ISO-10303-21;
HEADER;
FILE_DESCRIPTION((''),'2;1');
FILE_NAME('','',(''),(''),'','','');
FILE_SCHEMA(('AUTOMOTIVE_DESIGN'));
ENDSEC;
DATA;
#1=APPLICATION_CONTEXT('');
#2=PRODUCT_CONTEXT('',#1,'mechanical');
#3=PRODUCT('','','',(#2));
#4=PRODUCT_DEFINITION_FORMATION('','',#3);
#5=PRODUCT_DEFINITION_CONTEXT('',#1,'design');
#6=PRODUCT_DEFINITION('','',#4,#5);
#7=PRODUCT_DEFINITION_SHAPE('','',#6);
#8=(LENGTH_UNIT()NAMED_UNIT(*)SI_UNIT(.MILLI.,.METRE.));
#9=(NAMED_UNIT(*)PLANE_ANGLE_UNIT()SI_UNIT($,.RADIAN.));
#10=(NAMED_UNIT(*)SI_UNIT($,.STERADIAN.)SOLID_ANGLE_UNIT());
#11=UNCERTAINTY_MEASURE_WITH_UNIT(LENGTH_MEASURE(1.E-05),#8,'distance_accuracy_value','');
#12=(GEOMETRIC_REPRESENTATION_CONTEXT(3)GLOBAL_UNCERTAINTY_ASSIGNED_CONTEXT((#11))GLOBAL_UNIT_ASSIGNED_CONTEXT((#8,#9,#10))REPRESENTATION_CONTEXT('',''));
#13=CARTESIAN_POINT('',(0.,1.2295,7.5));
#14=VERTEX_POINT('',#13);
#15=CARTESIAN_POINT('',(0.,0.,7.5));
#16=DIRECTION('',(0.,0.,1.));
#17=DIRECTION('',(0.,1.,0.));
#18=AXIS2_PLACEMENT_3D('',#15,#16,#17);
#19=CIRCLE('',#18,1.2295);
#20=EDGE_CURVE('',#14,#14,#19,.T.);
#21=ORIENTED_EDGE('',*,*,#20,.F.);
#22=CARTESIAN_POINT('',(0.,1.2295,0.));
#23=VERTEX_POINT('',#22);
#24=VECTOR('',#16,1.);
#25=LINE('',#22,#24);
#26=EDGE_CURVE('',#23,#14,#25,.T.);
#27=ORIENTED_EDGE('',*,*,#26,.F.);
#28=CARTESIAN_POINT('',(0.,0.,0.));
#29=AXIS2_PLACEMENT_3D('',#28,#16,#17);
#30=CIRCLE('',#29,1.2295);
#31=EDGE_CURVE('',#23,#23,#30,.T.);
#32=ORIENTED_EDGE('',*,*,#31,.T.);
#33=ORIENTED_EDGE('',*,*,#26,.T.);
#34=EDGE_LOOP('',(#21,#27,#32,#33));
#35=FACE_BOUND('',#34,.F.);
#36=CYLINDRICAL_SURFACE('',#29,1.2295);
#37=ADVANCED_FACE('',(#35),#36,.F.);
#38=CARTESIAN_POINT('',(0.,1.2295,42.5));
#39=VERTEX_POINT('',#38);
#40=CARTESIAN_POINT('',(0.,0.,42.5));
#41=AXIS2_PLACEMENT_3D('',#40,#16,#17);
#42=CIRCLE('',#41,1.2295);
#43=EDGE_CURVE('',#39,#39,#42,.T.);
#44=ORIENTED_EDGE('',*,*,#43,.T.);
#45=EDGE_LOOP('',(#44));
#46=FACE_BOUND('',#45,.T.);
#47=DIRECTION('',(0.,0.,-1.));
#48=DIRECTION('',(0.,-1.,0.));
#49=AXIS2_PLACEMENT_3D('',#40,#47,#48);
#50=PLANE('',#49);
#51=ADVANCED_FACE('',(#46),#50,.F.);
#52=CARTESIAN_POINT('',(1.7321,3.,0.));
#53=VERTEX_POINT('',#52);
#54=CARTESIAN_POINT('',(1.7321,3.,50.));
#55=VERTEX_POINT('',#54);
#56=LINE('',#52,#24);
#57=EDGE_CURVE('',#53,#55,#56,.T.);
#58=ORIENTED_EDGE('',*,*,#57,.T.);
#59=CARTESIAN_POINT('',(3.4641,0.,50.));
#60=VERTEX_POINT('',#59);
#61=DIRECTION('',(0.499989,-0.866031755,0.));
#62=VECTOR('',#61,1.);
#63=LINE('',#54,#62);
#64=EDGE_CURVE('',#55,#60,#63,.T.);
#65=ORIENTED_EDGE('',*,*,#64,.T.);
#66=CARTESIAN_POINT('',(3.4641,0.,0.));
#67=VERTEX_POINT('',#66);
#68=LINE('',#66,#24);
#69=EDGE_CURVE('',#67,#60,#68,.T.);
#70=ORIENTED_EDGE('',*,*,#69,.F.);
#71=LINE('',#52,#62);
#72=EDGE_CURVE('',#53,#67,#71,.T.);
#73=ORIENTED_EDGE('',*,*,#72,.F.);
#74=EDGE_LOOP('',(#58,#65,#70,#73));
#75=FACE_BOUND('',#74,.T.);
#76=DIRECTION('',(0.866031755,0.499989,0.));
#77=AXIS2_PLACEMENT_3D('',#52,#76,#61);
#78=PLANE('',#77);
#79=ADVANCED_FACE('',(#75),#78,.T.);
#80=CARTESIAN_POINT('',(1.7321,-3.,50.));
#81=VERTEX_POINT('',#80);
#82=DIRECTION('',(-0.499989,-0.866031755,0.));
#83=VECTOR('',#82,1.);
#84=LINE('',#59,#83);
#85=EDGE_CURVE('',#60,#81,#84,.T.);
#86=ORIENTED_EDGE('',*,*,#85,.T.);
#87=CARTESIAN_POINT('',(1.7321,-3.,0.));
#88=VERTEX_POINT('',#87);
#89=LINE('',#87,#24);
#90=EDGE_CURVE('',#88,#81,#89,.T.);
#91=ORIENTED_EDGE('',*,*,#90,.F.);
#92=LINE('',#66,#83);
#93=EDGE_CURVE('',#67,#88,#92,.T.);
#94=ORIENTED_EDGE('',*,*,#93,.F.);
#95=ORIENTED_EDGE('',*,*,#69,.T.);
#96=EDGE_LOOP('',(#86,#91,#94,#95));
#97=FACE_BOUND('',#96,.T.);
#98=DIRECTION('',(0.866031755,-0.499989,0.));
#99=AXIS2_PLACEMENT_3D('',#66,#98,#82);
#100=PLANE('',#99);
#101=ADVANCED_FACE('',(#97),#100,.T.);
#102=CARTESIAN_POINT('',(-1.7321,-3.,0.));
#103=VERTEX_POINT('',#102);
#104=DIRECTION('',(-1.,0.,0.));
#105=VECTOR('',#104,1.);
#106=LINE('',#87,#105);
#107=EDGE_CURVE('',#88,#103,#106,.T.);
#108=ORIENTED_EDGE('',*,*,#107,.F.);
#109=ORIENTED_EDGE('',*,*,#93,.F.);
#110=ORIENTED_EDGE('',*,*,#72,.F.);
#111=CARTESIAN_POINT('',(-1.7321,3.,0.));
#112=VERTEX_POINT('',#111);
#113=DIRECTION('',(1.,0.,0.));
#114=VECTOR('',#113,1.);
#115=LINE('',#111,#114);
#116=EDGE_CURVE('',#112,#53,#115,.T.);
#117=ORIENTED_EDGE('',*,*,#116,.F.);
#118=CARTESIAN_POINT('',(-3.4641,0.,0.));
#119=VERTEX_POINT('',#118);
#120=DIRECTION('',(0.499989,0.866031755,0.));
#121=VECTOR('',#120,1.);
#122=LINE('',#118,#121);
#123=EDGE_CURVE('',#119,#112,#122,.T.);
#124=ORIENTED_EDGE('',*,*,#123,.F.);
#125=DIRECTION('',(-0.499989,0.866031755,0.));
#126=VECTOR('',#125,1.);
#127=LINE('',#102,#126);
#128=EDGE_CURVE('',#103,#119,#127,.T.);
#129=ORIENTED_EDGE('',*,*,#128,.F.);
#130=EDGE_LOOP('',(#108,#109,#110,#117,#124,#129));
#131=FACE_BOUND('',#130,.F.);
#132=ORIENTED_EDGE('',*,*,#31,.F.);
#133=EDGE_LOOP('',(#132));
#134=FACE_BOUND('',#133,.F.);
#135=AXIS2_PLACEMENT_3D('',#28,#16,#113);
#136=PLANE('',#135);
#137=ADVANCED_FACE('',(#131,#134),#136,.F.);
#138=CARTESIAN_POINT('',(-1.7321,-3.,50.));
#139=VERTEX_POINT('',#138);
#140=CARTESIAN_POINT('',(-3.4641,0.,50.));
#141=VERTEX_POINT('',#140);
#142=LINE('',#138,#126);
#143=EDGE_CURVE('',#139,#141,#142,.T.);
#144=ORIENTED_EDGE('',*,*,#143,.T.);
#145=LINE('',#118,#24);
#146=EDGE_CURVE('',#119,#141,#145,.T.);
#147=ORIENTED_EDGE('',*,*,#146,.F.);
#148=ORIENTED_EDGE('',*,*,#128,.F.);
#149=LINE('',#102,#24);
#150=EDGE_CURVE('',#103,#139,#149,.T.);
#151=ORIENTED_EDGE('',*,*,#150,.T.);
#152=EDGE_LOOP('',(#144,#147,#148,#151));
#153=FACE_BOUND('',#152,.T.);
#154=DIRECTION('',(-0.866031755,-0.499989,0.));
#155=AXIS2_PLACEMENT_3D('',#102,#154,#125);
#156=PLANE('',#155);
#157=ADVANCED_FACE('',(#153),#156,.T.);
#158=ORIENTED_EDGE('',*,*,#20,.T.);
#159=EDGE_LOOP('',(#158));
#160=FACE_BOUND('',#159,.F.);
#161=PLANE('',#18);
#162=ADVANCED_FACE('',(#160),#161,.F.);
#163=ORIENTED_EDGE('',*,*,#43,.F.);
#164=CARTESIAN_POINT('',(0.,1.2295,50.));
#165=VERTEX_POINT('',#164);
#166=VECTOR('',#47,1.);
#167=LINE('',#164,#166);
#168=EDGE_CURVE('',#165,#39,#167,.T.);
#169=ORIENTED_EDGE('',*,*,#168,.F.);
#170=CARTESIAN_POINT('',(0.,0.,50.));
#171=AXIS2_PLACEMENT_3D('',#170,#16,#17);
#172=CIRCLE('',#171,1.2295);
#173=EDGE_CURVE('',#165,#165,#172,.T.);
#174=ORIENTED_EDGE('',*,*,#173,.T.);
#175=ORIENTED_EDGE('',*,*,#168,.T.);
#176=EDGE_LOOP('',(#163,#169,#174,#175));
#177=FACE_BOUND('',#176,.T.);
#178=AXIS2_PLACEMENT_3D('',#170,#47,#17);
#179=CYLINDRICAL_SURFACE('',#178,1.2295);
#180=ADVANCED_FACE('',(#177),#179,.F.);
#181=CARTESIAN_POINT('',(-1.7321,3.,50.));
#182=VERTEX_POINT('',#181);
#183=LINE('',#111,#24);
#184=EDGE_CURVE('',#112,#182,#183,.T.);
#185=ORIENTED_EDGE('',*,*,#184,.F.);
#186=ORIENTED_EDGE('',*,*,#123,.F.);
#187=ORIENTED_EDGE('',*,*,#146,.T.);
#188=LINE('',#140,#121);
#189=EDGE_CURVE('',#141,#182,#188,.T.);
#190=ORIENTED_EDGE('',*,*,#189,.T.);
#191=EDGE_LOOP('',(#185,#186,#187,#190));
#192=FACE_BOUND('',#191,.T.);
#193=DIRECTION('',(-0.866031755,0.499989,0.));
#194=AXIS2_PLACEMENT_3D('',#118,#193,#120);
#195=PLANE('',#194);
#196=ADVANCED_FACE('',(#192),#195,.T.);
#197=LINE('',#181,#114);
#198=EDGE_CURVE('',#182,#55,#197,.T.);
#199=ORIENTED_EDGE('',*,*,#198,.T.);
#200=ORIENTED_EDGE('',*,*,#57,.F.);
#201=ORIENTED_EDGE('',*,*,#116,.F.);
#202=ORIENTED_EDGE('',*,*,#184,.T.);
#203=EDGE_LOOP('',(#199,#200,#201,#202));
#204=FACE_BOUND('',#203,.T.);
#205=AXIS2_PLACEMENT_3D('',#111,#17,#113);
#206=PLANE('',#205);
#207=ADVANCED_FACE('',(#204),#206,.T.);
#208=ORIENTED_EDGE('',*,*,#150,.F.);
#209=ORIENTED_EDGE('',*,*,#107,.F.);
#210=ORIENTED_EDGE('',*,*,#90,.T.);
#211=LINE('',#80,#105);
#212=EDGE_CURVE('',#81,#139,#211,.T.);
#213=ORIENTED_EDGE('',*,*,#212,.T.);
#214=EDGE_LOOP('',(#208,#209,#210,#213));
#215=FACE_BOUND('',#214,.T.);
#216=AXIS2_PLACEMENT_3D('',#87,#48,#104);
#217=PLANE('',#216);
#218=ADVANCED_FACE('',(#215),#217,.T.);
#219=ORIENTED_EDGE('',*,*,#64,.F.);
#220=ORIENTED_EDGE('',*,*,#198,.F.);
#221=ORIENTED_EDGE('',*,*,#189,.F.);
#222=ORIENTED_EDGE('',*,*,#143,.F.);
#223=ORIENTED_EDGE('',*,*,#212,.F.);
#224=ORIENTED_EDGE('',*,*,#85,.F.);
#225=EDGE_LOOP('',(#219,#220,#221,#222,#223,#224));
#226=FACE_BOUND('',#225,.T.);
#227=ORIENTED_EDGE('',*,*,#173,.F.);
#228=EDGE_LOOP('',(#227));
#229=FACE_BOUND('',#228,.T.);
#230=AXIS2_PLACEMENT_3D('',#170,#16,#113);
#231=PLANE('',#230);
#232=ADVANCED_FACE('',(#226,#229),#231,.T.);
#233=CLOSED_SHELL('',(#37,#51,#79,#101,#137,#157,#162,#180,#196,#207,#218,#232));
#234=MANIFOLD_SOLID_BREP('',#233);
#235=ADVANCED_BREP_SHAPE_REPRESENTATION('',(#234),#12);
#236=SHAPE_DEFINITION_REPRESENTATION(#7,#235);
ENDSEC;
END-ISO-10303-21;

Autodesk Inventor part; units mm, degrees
ref_plane "YZ Plane" through (0, 0, 0) normal (1, 0, 0) x (0, 1, 0)
ref_plane "XZ Plane" through (0, 0, 0) normal (0, 1, 0) x (-1, 0, 0)
sketch "Sketch1" plane through (0, 0, 0) normal (0, 0, 1) x (1, 0, 0)
  line L0 (1.7321, 3) -> (3.4641, 0)
  line L1 (3.4641, 0) -> (1.7321, -3)
  line L2 (1.7321, -3) -> (-1.7321, -3)
  line L3 (-1.7321, -3) -> (-3.4641, 0)
  line L4 (-3.4641, 0) -> (-1.7321, 3)
  line L5 (-1.7321, 3) -> (1.7321, 3)
  point P0 (0, 0)
  point P1 (0, 0)
  dimension "d0" = 6
extrude "Extrusion1" add sketch "Sketch1" along normal blind 50
sketch "Sketch2" plane through (0, 0, 0) normal (0, 0, -1) x (-1, 0, 0)
  line L0 (-1.7321, 3) -> (1.7321, 3) projected
  line L1 (-3.4641, 0) -> (-1.7321, 3) projected
  line L2 (-1.7321, -3) -> (-3.4641, 0) projected
  line L3 (1.7321, -3) -> (-1.7321, -3) projected
  line L4 (3.4641, 0) -> (1.7321, -3) projected
  line L5 (1.7321, 3) -> (3.4641, 0) projected
  point P0 (0, 0)
  point P1 (0, 0)
hole "Hole1" at (0, 0, 0) direction (0, 0, 1) diameter 2.459 depth 7.5 thread size "M3x0.5" class "6H" standard "ISO Metric profile"
ref_plane "Work Plane1" through (0, 0, 25) normal (0, 0, -1) x (-1, 0, 0)
mirror "Mirror1" about plane through (0, 0, 25) normal (0, 0, -1) of "Hole1"
properties part number "Wurth 970500361"
